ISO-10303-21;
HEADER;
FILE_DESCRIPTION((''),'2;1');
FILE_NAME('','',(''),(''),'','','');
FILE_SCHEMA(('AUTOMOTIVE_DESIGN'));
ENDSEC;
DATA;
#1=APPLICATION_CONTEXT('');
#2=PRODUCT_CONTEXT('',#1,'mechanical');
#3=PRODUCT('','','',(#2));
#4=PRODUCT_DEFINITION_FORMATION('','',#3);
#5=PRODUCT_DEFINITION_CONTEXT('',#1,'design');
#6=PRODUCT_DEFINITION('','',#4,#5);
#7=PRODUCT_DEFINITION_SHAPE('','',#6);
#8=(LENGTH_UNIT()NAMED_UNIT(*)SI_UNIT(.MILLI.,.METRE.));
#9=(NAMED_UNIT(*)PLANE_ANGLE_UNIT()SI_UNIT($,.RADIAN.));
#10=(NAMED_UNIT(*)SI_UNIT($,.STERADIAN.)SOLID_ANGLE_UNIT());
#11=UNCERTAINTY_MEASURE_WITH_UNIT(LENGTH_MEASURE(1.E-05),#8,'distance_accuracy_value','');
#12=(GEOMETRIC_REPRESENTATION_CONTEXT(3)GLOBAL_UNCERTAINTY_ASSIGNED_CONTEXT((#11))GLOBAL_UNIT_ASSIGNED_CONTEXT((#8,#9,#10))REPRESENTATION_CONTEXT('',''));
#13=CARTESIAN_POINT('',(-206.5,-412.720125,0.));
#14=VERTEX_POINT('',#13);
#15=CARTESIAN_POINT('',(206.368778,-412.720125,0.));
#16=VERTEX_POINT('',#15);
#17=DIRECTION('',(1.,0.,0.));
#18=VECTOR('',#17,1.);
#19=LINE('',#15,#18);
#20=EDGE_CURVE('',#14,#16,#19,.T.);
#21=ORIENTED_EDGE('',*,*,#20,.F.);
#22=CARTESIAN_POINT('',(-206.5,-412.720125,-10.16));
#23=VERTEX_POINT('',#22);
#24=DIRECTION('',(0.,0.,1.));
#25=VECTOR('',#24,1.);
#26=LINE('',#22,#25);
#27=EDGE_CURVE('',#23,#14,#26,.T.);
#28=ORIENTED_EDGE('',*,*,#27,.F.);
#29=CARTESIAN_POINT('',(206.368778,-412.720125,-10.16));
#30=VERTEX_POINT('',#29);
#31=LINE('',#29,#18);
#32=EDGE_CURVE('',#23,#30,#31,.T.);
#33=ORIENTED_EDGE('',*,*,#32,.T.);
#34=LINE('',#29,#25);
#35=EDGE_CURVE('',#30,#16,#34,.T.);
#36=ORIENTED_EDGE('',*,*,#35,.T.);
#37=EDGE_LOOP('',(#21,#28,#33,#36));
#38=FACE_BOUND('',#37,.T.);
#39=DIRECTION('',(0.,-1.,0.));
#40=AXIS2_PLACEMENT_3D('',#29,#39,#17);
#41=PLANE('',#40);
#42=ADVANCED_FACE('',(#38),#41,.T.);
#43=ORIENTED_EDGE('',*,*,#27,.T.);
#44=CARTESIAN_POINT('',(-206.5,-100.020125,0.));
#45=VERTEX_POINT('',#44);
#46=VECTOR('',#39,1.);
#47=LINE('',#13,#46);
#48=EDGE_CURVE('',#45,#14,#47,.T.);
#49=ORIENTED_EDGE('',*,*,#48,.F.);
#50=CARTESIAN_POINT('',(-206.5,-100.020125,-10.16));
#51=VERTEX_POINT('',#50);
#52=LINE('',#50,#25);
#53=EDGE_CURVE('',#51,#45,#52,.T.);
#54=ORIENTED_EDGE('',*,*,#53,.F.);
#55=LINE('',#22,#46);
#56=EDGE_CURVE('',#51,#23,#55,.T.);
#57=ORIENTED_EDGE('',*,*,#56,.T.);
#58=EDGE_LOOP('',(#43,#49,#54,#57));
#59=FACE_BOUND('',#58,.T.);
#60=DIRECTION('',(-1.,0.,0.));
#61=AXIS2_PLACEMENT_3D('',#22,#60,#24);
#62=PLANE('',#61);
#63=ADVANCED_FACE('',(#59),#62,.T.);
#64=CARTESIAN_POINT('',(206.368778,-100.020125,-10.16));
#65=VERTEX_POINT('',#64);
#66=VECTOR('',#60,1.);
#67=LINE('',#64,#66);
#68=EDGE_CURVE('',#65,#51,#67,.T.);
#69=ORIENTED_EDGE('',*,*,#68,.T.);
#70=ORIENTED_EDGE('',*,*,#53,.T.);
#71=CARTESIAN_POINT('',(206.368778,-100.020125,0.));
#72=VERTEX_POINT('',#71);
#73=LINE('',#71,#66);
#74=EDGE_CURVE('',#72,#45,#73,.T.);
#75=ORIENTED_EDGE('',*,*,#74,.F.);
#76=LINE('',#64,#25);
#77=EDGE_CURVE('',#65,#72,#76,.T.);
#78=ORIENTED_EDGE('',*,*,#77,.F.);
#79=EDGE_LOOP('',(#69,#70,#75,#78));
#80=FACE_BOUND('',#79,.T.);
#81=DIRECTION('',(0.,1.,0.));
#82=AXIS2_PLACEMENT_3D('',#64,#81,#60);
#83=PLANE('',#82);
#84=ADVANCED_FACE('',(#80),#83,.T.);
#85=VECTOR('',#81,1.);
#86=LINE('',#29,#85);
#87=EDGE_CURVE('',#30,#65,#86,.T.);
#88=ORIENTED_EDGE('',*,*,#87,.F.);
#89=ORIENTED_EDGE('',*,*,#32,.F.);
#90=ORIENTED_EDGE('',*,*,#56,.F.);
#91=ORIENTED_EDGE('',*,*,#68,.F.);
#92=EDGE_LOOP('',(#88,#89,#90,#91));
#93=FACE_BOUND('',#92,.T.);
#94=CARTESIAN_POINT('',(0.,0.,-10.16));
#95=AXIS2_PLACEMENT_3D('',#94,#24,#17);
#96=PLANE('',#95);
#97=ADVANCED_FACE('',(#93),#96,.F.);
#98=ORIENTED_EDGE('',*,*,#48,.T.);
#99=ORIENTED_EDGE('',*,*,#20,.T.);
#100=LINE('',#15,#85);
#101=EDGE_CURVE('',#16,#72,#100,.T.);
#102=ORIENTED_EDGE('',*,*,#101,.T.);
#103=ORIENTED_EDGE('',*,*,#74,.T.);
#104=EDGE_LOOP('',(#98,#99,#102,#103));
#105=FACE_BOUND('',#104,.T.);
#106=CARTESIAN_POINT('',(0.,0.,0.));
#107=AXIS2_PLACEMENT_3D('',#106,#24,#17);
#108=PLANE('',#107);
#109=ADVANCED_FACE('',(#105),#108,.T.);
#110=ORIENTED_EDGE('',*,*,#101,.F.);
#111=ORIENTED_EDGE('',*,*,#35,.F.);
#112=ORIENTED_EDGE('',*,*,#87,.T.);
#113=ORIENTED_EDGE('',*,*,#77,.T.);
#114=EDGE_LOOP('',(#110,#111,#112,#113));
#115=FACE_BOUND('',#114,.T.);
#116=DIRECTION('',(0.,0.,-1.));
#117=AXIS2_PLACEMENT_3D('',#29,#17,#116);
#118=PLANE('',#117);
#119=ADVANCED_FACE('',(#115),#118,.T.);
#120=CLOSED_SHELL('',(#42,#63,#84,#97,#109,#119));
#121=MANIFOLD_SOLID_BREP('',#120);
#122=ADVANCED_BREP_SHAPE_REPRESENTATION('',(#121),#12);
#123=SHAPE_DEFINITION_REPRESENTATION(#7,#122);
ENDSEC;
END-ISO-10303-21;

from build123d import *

# Parameters (mm, degrees)
SKETCH1_W           = 412.86877838
SKETCH1_H           = 312.7
BOSS_EXTRUDE1_DEPTH = 10.16


with BuildPart() as part:
    # Sketch1 → Boss-Extrude1 (new body)
    with BuildSketch(Plane.XY):
        with Locations((-0.06561081, -256.370125467)):
            Rectangle(SKETCH1_W, SKETCH1_H)
    extrude(amount=-BOSS_EXTRUDE1_DEPTH)


solid = part.part
